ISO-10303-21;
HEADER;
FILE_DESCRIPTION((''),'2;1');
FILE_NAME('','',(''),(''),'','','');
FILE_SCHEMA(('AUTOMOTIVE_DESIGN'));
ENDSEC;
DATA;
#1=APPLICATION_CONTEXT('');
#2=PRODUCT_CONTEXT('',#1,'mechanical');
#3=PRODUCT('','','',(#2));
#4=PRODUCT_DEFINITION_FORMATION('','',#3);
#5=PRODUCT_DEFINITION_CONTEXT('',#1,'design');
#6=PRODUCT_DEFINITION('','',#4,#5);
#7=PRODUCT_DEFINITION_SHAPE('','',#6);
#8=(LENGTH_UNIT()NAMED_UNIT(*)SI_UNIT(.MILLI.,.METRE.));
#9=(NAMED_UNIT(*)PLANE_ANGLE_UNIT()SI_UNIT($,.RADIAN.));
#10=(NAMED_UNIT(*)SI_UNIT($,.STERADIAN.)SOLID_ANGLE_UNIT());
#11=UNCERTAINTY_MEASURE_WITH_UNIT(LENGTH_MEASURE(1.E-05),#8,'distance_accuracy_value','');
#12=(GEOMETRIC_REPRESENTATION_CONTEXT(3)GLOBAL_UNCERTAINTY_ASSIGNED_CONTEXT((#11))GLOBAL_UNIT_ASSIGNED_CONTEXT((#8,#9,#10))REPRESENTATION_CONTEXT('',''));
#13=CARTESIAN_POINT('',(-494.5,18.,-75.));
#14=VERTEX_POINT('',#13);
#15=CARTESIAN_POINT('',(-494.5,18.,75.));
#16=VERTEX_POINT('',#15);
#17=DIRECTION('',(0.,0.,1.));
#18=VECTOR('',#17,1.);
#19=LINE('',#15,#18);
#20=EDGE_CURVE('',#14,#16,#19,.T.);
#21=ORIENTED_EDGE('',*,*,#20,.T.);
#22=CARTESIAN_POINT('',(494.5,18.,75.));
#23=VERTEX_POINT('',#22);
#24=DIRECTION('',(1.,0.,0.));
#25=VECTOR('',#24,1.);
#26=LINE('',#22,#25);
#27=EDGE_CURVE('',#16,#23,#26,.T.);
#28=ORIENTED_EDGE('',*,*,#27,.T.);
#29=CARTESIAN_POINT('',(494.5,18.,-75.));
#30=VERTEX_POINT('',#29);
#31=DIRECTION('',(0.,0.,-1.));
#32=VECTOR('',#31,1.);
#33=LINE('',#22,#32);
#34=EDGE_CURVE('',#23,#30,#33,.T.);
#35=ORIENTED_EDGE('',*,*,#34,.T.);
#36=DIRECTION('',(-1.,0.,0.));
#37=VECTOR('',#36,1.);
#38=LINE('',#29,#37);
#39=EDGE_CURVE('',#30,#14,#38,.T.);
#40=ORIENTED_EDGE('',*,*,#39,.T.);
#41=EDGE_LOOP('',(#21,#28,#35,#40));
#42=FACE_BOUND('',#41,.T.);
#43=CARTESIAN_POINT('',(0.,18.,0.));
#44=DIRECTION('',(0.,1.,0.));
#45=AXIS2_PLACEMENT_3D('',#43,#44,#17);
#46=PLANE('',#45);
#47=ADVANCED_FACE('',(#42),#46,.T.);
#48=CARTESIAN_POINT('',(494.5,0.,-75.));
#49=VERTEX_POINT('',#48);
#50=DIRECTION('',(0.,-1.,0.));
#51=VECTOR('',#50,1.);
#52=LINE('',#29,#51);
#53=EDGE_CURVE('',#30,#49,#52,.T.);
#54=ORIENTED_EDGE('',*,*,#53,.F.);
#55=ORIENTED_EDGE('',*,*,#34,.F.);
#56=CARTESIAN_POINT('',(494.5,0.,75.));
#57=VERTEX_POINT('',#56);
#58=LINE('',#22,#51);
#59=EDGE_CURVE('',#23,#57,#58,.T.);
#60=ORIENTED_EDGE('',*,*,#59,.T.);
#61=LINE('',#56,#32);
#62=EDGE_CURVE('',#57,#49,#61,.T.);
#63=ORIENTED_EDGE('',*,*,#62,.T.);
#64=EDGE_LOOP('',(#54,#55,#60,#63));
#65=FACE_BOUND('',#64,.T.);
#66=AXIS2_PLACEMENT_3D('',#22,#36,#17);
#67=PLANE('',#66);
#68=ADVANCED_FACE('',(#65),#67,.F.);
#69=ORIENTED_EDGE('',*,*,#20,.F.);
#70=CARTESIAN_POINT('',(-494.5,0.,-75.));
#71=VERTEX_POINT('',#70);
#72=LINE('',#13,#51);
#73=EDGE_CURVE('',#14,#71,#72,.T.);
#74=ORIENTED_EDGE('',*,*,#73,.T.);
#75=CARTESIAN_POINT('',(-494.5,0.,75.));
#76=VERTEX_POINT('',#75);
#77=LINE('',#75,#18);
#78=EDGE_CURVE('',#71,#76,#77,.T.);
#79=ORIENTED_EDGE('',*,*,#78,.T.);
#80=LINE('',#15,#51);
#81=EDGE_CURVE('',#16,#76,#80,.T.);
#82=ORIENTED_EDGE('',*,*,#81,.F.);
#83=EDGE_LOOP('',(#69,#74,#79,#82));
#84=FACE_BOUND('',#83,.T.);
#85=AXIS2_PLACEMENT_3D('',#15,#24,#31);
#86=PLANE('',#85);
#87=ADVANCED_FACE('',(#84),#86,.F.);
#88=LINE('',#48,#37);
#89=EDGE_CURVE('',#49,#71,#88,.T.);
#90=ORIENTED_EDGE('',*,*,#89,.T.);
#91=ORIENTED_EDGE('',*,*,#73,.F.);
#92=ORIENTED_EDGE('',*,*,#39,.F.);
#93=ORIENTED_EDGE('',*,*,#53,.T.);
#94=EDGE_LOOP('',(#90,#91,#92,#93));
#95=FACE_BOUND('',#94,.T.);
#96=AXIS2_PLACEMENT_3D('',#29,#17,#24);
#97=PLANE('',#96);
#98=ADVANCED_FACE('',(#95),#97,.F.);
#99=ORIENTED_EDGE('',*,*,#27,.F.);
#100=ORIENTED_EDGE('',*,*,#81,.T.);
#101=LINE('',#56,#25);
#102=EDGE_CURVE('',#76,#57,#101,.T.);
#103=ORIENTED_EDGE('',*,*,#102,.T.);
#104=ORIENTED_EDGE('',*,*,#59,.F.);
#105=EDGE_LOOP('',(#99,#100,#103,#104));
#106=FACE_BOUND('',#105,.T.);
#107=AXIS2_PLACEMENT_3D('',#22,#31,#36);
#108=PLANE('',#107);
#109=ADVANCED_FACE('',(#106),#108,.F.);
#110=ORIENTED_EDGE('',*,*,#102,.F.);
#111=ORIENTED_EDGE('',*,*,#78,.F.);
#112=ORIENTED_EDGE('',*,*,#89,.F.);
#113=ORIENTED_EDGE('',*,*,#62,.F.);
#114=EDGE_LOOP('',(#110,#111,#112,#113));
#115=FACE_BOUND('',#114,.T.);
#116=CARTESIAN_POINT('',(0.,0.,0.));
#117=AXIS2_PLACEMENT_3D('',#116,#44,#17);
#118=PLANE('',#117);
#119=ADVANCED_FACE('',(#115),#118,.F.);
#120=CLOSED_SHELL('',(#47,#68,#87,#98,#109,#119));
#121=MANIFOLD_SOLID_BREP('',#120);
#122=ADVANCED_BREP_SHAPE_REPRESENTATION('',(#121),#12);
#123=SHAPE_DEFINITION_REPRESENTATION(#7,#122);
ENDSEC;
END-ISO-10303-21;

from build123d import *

# Parameters (mm, degrees)
SKETCH1_W           = 989
SKETCH1_H           = 150
BOSS_EXTRUDE1_DEPTH = 18


with BuildPart() as part:
    # Sketch1 → Boss-Extrude1 (new body)
    with BuildSketch(Plane(origin=(0, 0, 0), x_dir=(1, 0, 0), z_dir=(0, 1, 0))):
        Rectangle(SKETCH1_W, SKETCH1_H)
    extrude(amount=BOSS_EXTRUDE1_DEPTH)


solid = part.part
